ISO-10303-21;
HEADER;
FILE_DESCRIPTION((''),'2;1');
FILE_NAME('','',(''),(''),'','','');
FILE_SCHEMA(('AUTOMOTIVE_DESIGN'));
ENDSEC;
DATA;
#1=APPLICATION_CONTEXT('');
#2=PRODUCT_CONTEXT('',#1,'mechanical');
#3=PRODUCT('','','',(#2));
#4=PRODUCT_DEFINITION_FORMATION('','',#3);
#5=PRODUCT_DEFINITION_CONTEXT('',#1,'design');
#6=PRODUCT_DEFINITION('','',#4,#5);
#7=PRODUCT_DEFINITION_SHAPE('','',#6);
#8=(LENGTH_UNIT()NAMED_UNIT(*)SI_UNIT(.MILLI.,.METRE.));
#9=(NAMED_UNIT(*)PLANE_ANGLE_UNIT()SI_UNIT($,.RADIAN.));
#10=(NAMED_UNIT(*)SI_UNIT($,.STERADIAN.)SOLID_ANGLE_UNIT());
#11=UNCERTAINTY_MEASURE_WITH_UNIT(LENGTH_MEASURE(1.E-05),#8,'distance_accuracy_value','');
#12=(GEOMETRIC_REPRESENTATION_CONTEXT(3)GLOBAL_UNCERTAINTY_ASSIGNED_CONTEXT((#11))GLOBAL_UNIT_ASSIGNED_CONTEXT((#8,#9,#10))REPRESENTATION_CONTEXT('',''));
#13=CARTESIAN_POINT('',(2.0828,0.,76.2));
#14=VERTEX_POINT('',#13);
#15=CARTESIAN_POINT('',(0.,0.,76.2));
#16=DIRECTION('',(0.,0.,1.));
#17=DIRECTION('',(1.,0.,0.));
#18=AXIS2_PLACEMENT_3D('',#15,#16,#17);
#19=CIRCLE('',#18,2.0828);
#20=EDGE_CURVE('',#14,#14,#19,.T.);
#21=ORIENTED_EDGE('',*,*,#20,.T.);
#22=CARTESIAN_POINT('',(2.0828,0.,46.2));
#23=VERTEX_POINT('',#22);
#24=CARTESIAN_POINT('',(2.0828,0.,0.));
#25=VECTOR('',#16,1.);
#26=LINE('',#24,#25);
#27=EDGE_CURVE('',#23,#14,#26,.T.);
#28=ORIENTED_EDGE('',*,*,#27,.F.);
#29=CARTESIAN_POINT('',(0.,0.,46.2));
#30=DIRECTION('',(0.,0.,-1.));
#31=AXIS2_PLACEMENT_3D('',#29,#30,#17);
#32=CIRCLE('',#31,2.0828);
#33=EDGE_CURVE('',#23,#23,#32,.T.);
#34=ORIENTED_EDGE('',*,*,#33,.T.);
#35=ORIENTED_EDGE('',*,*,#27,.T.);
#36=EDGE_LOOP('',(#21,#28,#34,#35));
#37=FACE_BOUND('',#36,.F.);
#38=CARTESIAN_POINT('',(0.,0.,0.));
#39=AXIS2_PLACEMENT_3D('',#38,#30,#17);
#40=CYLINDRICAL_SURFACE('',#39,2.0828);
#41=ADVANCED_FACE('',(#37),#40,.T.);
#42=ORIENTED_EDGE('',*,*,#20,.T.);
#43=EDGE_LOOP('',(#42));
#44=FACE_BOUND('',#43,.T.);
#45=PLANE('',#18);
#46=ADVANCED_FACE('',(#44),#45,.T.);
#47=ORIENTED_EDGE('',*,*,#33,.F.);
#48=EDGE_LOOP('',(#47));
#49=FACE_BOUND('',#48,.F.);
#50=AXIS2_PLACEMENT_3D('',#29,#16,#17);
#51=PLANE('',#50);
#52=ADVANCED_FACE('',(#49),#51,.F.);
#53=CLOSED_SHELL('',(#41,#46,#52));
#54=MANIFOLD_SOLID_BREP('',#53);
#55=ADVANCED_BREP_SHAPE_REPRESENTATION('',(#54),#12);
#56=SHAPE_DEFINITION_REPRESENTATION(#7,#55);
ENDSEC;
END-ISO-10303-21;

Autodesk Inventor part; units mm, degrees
ref_plane "YZ Plane" through (0, 0, 0) normal (1, 0, 0) x (0, 1, 0)
ref_plane "XZ Plane" through (0, 0, 0) normal (0, 1, 0) x (-1, 0, 0)
ref_plane "XY Plane" through (0, 0, 0) normal (0, 0, 1) x (1, 0, 0)
sketch "Sketch1" plane through (0, 0, 0) normal (0, 0, 1) x (1, 0, 0)
  circle A0 centre (0, 0) radius 2.0828
  dimension "d0" = 4.1656
extrude "Extrusion1" add sketch "Sketch1" along normal blind 76.2
thread "Thread1" size "8-32 UNC" class "2A" standard "ANSI Unified Screw Threads" full length
sketch "Sketch2" plane through (0, 0, 76.2) normal (0, 0, 1) x (1, 0, 0)
  circle A0 centre (-3.5375, 3.0393) radius 8.283
  point P0 (0, 0)
extrude "Extrusion2" cut sketch "Sketch2" against normal blind 30 keep common part
properties part number "Threaded Rod 30mm"
